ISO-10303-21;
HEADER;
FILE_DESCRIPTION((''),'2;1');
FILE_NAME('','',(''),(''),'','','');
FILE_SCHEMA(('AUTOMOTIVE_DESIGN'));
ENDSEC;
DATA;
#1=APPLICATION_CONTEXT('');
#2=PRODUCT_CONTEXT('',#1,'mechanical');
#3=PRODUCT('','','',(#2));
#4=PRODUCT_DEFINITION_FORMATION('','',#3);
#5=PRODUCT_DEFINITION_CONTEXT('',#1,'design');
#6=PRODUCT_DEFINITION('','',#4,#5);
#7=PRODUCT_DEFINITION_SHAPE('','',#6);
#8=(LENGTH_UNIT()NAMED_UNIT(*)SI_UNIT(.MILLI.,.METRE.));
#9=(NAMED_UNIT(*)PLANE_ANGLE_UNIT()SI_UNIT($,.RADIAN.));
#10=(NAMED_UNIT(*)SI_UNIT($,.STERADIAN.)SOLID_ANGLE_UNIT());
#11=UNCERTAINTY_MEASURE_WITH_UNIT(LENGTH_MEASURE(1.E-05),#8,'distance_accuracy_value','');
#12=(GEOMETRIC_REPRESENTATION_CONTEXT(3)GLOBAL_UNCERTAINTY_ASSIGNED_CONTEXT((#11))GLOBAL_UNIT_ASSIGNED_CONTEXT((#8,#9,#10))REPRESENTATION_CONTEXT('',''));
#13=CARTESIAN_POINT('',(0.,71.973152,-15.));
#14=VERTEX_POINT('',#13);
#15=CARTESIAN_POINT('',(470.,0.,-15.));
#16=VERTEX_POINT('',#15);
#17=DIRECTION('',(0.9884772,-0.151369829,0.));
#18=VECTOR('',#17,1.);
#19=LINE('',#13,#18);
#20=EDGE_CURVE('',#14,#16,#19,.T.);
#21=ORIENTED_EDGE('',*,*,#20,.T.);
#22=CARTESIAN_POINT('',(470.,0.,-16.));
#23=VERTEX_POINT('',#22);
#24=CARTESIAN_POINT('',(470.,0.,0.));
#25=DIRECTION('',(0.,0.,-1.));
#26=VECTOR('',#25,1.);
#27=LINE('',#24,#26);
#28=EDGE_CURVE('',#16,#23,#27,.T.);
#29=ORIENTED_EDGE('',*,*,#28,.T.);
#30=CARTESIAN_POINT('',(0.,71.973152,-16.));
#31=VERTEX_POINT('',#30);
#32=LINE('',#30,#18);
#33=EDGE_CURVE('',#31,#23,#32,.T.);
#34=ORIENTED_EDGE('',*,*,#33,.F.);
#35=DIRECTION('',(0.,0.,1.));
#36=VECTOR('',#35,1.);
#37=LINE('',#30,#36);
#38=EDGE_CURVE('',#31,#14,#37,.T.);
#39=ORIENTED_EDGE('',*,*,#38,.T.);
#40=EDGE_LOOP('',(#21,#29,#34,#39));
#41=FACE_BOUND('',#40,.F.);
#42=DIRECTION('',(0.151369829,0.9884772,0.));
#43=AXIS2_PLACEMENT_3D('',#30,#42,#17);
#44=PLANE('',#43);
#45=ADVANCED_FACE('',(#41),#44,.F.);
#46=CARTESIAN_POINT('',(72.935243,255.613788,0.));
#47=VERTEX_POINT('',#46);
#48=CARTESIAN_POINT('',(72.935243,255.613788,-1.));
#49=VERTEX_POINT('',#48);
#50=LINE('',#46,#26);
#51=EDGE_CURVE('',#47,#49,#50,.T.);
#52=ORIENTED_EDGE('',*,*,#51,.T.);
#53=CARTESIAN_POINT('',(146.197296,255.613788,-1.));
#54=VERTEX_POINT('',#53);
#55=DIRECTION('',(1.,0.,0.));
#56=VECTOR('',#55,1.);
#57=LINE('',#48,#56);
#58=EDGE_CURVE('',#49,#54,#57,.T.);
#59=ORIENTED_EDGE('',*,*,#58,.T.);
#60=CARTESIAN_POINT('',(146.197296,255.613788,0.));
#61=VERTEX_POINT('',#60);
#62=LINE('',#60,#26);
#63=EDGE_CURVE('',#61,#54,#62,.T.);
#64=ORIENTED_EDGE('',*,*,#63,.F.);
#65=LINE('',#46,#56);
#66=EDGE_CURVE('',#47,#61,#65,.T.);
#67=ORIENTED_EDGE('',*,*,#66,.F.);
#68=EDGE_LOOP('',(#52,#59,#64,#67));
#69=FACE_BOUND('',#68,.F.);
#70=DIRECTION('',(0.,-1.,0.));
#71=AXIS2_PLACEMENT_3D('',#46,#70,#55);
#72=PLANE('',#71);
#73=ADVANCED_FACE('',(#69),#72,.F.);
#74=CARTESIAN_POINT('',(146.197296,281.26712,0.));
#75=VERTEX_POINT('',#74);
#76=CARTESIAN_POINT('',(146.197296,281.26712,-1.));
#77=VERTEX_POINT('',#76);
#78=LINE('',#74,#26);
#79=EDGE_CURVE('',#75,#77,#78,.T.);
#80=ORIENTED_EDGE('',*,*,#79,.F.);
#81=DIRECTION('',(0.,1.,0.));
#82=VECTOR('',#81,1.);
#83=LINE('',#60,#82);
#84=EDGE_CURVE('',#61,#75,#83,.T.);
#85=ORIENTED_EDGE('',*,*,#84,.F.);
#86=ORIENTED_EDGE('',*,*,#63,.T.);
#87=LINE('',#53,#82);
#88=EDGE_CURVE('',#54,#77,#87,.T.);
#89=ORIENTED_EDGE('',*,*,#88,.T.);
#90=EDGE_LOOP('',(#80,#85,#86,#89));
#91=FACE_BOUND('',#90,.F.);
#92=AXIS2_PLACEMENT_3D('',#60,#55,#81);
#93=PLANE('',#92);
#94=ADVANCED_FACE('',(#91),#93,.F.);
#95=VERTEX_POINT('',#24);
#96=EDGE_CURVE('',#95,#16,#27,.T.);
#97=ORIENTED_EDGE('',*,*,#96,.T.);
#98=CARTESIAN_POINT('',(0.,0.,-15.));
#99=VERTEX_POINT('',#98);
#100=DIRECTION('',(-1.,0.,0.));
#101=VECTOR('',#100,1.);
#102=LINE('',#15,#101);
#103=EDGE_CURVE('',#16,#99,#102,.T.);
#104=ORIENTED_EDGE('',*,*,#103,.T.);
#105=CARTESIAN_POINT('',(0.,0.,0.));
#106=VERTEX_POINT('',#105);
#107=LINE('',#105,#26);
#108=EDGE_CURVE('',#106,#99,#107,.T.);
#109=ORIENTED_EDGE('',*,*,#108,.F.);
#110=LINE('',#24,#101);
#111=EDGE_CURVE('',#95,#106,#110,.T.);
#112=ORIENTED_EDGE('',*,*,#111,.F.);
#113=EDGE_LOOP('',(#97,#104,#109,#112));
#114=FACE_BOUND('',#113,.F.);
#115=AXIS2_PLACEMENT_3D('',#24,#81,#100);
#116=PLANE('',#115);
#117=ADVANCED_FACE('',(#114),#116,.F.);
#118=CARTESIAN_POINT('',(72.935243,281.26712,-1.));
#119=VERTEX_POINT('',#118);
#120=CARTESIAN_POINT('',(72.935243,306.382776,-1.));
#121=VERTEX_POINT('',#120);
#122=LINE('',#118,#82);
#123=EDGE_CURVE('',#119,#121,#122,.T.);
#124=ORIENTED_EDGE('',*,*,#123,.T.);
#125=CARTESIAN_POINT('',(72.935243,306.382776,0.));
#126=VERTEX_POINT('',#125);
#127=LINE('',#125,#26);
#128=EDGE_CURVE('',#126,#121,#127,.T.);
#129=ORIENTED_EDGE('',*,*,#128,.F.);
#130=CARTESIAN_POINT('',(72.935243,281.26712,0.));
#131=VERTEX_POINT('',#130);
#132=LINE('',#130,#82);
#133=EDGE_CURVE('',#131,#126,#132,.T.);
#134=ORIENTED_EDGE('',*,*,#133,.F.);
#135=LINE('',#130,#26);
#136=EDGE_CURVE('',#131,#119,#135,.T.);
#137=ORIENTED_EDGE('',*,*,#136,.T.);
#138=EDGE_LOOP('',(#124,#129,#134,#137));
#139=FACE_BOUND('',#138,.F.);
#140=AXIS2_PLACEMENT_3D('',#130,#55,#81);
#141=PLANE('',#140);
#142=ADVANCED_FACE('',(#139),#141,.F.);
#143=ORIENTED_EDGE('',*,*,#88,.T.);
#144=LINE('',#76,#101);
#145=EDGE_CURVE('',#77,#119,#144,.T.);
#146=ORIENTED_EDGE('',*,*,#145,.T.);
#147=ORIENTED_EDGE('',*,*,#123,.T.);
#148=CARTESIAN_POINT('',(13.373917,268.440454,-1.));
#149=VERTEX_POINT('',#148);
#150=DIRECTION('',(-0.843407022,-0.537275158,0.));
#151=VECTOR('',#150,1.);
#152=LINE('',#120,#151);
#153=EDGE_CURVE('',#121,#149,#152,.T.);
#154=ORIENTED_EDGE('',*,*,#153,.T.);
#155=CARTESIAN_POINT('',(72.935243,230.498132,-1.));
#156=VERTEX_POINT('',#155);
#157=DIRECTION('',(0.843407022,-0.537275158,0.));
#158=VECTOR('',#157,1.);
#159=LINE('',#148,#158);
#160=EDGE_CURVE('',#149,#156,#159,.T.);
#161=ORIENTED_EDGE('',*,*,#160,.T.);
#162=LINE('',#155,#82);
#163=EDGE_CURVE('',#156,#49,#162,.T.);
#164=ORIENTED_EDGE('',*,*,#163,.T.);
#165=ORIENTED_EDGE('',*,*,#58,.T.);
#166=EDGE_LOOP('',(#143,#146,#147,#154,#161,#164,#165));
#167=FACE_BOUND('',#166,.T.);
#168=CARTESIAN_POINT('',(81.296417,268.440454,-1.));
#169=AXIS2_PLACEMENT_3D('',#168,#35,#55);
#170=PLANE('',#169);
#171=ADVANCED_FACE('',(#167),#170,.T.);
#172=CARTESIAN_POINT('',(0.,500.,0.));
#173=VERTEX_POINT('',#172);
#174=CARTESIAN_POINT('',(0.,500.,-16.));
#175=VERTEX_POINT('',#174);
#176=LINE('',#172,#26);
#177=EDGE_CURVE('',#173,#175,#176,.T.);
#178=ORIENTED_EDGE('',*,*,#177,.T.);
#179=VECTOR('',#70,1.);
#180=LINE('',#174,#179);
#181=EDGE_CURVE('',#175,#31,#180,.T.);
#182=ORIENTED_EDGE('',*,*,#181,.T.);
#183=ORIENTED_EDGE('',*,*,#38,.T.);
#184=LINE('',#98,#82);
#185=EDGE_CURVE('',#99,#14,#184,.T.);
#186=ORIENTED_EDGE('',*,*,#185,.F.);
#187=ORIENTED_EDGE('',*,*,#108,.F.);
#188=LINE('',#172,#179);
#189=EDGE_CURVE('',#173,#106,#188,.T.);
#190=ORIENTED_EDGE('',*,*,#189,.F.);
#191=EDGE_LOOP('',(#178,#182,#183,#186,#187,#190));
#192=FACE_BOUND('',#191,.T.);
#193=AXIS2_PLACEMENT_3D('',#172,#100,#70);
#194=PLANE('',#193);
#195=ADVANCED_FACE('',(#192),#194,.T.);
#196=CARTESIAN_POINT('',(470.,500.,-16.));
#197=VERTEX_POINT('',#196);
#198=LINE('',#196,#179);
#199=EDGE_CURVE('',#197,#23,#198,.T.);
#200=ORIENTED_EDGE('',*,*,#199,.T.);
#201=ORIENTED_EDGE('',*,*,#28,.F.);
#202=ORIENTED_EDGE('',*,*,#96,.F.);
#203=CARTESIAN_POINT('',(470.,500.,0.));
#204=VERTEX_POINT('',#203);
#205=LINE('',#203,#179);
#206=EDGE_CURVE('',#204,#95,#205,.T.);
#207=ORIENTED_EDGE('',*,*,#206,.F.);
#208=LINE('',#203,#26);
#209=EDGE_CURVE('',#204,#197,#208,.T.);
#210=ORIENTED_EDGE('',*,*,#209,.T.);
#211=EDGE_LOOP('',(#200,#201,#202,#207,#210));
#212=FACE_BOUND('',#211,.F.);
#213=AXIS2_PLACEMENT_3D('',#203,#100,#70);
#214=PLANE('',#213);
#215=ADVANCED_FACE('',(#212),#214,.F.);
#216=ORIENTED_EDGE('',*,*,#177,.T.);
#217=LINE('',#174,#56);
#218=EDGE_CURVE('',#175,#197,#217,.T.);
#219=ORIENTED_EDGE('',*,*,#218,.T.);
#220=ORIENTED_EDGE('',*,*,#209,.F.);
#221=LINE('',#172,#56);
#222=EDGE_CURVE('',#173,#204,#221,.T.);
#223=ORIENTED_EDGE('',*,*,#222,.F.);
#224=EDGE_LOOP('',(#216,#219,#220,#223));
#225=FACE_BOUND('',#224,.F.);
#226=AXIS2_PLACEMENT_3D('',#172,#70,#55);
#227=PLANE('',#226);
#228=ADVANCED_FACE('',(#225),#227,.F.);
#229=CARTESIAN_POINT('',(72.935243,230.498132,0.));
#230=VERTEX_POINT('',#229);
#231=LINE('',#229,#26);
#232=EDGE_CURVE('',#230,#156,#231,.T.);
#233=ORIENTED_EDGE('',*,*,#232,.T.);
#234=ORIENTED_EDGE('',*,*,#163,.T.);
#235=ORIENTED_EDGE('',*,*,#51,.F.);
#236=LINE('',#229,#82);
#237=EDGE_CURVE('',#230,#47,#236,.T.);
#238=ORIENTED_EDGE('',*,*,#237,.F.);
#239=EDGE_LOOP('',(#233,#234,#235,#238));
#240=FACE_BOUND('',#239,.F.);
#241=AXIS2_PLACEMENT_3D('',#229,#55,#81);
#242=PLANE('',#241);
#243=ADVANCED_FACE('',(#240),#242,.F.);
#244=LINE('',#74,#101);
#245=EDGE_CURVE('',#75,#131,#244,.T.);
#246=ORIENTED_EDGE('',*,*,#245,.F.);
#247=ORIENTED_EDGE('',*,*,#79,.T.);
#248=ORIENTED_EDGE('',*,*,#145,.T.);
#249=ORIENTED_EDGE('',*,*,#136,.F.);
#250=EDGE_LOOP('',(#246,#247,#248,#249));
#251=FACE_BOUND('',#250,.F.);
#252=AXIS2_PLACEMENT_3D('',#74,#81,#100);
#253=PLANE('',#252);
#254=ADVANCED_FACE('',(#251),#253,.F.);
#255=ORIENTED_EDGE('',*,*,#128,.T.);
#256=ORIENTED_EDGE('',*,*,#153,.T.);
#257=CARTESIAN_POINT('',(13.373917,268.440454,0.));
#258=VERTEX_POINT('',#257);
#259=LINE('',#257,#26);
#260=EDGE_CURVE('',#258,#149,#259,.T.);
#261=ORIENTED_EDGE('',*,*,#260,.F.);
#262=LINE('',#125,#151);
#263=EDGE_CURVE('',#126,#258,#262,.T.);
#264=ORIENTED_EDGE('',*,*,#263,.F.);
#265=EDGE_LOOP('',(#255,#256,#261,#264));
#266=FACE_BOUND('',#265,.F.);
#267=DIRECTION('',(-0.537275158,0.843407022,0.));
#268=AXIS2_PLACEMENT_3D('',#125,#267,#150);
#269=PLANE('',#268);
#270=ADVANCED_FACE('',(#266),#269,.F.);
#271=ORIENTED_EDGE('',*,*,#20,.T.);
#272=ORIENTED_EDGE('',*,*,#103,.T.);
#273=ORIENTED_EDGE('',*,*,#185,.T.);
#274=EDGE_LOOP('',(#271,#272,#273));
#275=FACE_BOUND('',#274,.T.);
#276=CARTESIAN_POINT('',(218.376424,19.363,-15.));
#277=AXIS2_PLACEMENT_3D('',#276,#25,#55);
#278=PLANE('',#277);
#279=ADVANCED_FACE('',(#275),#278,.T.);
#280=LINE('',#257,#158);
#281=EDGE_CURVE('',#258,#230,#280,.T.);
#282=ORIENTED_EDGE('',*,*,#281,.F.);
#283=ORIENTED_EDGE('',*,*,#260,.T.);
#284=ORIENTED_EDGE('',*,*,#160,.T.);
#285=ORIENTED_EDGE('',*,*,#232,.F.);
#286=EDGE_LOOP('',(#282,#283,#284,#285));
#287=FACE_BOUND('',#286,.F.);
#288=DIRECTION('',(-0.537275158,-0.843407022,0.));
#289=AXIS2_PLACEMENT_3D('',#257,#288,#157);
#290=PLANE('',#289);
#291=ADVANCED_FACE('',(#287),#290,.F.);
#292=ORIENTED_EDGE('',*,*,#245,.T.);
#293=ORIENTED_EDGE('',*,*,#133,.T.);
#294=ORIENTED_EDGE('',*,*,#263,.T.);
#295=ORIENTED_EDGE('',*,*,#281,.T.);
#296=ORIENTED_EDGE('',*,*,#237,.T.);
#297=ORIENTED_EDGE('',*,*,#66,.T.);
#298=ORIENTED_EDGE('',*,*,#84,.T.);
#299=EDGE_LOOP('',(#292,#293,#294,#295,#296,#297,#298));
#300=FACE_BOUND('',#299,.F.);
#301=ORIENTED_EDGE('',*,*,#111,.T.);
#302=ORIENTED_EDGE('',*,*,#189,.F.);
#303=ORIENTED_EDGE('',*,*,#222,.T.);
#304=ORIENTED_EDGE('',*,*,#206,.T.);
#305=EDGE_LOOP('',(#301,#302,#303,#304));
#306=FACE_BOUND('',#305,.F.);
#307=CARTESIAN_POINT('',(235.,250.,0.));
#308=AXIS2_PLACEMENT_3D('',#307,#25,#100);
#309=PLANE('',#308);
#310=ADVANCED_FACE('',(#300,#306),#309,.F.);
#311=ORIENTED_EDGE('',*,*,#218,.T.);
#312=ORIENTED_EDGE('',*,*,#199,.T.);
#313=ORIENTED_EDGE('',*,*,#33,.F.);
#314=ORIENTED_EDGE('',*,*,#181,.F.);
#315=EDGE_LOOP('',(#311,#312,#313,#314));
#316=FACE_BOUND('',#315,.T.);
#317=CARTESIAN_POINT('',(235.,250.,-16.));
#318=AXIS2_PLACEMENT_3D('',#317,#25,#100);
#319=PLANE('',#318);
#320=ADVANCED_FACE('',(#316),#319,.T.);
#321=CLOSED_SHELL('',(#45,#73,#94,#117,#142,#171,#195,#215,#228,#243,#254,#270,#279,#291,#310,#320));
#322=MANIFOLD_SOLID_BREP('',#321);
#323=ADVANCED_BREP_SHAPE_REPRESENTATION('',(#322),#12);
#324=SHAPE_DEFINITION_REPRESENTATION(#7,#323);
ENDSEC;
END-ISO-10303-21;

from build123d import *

# Parameters (mm, degrees)
PAD_DEPTH       = 16
POCKET_DEPTH    = 1
POCKET001_DEPTH = 1


with BuildPart() as part:
    # Sketch → Pad (new body)
    with BuildSketch(Plane.XY):
        Polygon((0, 413.879036), (0, 500), (470, 500), (470, 0), (0, 0), align=None)
    extrude(amount=-PAD_DEPTH)

    # Sketch002 (on Face7 of Pad) → Pocket (cut)
    with BuildSketch(Plane(origin=(0, 0, -16), x_dir=(1, 0, 0), z_dir=(0, 0, -1))):
        Polygon((0, 0), (0, -71.973152), (470, 0), align=None)
    extrude(amount=-POCKET_DEPTH, mode=Mode.SUBTRACT)

    # Sketch003 (on Face4 of Pocket) → Pocket001 (cut)
    with BuildSketch(Plane.XY):
        Polygon((72.935243, 306.382776), (13.373917, 268.440454), (72.935243, 230.498132), (72.935243, 255.613788), (146.197296, 255.613788), (146.197296, 281.26712), (72.935243, 281.26712), align=None)
    extrude(amount=-POCKET001_DEPTH, mode=Mode.SUBTRACT)


solid = part.part
